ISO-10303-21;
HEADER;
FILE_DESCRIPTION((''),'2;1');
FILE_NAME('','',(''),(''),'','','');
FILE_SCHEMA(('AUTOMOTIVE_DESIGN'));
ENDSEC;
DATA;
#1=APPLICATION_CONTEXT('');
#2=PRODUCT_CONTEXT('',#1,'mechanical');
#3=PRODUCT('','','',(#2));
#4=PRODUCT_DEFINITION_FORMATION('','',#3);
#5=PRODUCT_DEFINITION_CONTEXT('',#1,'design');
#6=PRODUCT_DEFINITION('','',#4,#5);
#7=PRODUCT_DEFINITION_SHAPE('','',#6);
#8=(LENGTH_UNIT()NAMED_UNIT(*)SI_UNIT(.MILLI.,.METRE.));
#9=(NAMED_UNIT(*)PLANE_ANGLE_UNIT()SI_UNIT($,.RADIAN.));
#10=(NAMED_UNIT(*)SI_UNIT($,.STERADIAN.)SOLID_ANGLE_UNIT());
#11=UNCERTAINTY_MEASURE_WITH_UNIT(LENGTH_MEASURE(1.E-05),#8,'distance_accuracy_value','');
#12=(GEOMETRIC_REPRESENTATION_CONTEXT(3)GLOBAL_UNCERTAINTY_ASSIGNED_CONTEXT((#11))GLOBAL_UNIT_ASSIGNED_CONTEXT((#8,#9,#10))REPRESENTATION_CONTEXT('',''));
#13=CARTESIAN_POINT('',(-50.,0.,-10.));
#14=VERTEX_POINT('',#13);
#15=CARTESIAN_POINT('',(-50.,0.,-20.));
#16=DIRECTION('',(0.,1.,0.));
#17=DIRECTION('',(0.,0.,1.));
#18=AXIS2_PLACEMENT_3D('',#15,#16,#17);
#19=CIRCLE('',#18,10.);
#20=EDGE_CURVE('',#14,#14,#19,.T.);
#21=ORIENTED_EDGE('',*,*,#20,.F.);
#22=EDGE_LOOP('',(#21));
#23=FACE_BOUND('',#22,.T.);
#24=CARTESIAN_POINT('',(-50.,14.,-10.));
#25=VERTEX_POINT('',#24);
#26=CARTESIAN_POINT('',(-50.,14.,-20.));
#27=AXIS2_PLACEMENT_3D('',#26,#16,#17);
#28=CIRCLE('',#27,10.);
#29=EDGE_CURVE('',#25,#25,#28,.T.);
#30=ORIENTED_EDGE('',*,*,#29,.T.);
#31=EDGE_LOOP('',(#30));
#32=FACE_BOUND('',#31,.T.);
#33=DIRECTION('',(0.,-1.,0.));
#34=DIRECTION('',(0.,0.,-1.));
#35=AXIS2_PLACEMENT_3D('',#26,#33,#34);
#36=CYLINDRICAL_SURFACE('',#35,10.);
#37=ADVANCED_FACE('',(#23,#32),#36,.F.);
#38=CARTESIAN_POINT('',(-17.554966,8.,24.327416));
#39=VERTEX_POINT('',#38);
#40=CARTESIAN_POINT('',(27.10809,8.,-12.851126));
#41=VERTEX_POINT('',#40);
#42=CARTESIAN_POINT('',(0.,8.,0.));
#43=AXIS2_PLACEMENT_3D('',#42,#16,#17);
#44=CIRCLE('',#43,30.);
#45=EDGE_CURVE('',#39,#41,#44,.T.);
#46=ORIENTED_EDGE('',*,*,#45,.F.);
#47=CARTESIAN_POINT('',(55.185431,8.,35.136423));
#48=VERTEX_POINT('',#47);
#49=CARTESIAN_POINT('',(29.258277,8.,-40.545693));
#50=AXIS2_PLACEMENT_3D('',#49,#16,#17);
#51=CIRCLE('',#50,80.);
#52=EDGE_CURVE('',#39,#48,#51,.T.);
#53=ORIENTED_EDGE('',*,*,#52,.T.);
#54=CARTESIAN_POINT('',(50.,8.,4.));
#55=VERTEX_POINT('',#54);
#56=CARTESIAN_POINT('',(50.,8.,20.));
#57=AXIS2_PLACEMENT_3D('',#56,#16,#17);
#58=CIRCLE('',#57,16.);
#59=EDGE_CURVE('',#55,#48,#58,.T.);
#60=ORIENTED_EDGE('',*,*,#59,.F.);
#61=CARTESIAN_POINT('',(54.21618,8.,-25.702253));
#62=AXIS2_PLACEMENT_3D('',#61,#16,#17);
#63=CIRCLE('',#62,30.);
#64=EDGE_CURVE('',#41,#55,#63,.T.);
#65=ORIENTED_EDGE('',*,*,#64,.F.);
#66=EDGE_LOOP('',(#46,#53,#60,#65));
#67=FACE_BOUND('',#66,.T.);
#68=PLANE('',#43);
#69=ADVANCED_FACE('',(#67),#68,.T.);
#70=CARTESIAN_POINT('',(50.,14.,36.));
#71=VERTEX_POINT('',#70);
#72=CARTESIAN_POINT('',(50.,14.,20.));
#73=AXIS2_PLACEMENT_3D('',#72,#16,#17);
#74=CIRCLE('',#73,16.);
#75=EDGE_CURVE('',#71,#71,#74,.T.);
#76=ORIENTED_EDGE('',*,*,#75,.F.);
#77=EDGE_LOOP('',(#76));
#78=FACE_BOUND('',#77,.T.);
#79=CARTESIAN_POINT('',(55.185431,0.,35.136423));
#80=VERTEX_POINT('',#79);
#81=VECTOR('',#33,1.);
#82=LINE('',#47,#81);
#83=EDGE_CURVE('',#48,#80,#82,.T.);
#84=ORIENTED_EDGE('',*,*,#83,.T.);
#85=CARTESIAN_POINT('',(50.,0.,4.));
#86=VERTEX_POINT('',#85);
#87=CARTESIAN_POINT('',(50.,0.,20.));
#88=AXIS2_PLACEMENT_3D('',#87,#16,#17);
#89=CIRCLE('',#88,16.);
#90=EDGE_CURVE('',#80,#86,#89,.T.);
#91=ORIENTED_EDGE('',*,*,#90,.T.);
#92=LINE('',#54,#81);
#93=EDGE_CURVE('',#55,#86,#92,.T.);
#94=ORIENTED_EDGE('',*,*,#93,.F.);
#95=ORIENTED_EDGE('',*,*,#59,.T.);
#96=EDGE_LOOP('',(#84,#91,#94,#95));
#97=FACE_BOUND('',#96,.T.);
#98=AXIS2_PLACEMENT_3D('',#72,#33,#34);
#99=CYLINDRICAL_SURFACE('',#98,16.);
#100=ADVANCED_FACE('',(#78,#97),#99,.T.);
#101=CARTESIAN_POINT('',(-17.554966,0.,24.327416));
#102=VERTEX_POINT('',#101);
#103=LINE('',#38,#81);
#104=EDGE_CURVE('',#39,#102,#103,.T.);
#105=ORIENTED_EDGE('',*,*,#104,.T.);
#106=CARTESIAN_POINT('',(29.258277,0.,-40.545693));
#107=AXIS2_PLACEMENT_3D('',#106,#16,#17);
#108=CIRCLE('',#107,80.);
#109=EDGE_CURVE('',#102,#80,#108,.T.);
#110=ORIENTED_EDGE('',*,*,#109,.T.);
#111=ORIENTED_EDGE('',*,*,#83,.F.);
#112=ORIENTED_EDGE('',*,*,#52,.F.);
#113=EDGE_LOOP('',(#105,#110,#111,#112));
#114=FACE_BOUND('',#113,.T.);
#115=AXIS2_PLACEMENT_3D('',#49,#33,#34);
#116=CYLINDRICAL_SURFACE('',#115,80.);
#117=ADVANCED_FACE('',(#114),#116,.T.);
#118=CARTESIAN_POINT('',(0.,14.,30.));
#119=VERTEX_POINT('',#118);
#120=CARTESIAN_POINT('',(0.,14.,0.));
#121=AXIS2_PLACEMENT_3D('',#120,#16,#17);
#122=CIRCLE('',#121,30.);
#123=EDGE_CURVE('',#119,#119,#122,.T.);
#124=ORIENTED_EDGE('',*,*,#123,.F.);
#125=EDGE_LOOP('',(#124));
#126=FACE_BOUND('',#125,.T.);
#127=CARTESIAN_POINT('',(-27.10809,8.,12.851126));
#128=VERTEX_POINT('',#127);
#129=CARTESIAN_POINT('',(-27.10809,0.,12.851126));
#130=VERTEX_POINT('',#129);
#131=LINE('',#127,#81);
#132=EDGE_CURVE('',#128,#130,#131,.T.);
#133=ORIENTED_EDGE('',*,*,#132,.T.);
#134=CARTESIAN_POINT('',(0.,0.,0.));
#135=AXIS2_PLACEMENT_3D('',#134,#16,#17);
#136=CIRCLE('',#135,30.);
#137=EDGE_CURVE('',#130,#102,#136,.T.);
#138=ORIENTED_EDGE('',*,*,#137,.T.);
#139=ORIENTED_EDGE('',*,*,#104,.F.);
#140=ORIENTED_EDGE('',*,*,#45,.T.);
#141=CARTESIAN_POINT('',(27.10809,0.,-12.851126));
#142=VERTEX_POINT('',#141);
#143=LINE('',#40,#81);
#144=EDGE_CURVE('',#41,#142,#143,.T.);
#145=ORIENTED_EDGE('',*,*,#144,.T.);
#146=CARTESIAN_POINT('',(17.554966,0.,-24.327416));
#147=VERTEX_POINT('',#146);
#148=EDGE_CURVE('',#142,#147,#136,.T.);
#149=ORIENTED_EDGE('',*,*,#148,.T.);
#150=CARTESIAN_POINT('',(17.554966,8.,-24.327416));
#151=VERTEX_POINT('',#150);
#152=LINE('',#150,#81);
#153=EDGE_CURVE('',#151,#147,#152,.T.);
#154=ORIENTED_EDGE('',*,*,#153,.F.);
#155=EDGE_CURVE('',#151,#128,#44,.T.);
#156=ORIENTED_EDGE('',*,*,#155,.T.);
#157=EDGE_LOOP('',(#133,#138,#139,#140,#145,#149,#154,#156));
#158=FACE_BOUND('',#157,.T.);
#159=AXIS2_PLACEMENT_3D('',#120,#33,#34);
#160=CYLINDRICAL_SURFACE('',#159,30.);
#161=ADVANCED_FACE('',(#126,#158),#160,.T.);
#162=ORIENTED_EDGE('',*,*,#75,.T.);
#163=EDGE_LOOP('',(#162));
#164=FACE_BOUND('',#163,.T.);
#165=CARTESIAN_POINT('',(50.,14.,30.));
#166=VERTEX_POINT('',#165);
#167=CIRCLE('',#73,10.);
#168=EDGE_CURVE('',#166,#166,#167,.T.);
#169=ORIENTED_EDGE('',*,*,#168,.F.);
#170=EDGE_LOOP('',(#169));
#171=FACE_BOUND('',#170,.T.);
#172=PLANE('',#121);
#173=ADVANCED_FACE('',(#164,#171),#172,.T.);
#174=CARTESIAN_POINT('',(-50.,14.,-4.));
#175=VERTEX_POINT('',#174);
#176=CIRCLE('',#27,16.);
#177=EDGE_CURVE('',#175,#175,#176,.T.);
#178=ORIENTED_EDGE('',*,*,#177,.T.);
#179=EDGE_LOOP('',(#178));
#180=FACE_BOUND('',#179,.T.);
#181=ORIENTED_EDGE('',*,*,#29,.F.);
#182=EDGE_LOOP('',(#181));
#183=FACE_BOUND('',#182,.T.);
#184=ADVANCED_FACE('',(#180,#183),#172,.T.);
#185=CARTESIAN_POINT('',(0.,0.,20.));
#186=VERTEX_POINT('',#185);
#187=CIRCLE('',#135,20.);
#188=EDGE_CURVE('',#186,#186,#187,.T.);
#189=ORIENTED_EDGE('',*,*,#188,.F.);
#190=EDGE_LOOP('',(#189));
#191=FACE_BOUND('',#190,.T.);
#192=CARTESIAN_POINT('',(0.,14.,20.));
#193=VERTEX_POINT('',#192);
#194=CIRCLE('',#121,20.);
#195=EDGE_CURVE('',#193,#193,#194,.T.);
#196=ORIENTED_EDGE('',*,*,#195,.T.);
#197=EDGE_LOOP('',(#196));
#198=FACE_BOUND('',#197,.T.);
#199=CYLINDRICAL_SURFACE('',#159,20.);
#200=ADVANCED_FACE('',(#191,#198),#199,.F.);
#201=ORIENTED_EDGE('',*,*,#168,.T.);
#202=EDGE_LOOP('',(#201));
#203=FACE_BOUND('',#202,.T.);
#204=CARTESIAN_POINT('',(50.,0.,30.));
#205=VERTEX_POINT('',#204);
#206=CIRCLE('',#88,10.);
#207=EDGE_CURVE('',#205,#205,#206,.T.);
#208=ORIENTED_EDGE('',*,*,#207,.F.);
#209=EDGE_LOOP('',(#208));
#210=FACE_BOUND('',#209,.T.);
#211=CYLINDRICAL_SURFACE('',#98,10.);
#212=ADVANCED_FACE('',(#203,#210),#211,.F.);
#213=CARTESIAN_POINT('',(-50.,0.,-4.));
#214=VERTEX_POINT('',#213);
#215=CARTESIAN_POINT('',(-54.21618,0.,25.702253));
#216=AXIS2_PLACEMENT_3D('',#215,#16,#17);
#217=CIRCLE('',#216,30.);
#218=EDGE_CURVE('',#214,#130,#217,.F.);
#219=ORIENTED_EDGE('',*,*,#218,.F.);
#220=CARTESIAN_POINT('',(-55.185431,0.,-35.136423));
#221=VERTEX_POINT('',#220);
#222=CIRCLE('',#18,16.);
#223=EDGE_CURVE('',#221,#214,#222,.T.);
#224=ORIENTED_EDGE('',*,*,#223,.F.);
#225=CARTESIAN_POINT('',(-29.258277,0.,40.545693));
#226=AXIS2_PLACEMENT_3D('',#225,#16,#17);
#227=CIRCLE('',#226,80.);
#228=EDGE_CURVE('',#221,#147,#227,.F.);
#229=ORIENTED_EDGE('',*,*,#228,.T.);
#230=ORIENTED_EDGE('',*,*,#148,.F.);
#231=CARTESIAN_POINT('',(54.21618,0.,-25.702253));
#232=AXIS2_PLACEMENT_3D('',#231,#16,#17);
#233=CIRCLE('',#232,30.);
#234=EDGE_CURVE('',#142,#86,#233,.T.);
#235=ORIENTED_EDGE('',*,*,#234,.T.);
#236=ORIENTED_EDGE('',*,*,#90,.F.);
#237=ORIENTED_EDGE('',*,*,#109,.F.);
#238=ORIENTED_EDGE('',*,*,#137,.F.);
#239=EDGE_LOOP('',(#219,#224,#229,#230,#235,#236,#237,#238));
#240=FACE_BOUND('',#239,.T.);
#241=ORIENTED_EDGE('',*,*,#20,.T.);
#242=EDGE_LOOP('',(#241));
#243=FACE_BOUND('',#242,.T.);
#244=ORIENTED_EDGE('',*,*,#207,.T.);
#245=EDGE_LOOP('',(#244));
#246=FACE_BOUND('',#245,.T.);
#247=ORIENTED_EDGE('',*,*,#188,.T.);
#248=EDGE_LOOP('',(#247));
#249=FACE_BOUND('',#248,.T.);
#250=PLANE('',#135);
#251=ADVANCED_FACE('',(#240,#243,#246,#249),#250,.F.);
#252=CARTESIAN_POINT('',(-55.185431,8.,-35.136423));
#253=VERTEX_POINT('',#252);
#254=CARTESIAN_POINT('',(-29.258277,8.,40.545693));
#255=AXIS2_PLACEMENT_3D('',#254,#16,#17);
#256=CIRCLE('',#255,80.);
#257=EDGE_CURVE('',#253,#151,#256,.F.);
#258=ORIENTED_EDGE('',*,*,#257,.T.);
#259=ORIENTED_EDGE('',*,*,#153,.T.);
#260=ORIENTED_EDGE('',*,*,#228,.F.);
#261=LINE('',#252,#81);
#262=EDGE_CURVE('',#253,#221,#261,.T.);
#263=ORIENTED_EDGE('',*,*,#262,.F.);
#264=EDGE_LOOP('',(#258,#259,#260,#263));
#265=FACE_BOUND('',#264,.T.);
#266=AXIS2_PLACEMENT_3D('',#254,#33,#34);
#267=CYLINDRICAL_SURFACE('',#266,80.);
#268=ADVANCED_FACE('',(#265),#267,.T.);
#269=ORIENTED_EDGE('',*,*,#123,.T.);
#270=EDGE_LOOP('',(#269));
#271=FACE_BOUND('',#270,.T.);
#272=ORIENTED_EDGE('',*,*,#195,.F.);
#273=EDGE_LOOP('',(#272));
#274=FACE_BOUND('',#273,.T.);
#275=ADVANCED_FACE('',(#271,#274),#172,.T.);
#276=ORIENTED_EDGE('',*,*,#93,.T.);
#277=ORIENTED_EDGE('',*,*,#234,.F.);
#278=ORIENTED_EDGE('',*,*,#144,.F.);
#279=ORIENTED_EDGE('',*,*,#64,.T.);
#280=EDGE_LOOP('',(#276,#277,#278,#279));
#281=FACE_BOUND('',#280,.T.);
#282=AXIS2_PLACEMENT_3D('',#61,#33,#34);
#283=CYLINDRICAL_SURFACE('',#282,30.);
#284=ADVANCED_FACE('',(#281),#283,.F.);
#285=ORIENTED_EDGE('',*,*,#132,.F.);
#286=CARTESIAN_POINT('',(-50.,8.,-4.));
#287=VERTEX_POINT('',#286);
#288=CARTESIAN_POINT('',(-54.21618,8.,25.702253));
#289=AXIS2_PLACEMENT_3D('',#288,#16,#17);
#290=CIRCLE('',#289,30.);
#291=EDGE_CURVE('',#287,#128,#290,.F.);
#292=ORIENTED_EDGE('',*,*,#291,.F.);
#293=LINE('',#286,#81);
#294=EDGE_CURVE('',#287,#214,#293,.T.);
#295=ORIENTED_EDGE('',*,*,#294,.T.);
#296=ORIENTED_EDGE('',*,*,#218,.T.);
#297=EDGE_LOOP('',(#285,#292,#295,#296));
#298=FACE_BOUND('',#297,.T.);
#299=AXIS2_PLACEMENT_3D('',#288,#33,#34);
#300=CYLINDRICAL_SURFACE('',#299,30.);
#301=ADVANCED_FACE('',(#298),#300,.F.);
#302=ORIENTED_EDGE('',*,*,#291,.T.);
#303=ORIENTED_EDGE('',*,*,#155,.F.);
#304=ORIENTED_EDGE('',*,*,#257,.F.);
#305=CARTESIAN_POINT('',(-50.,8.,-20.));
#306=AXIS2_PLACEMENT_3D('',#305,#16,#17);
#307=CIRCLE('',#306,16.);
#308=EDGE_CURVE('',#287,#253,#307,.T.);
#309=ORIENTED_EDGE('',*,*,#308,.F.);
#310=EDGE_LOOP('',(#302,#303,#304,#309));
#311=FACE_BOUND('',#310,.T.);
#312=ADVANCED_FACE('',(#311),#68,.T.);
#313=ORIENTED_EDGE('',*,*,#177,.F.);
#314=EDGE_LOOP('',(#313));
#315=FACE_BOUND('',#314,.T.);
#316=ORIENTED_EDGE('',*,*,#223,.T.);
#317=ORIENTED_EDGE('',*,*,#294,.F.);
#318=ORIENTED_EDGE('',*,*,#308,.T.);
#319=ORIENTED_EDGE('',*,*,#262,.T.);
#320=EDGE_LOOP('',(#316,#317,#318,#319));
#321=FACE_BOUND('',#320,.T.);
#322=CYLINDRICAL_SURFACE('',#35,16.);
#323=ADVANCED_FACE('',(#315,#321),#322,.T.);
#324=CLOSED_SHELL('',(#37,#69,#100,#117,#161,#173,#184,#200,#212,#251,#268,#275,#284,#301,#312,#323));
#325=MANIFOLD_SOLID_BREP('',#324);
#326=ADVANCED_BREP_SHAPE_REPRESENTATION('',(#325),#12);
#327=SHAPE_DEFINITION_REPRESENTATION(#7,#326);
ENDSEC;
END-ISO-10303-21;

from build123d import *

# Parameters (mm, degrees)
ESTRUSIONE_ESTRUSIONE1_DEPTH   = 8
ESTRUSIONE_ESTRUSIONE1_2_DEPTH = 8
SCHIZZO1_8_R                   = 30
SCHIZZO1_8_R_2                 = 20
SCHIZZO1_8_R_3                 = 16
SCHIZZO1_8_R_4                 = 10
ESTRUSIONE_ESTRUSIONE2_DEPTH   = 14


with BuildPart() as part:
    # Schizzo1 → Estrusione-Estrusione1 (new body)
    with BuildSketch(Plane(origin=(0, 0, 0), x_dir=(1, 0, 0), z_dir=(0, 1, 0))):
        with BuildLine():
            ThreePointArc((27.108090114, 12.851126424), (19.193137928, -23.056961129), (-17.554966307, -24.327415768))
            ThreePointArc((-17.554966307, -24.327415768), (17.499627211, -38.585427044), (55.185430705, -35.136423237))
            ThreePointArc((55.185430705, -35.136423237), (34.217370755, -22.628424263), (50, -4))
            ThreePointArc((50, -4), (36.431563461, 1.542215464), (27.108090114, 12.851126424))
        make_face()
    extrude(amount=ESTRUSIONE_ESTRUSIONE1_DEPTH)



with BuildPart() as body_2:
    # Schizzo1 → Estrusione-Estrusione1 2 (new body)
    with BuildSketch(Plane(origin=(0, 0, 0), x_dir=(1, 0, 0), z_dir=(0, 1, 0))):
        with BuildLine():
            ThreePointArc((-27.108090114, -12.851126424), (-19.193137928, 23.056961129), (17.554966307, 24.327415768))
            ThreePointArc((17.554966307, 24.327415768), (-17.499627211, 38.585427044), (-55.185430705, 35.136423237))
            ThreePointArc((-55.185430705, 35.136423237), (-34.217370755, 22.628424263), (-50, 4))
            ThreePointArc((-50, 4), (-36.431563461, -1.542215464), (-27.108090114, -12.851126424))
        make_face()
    extrude(amount=ESTRUSIONE_ESTRUSIONE1_2_DEPTH)


with BuildPart() as part_1:
    add(part.part)

    add(body_2.part)  # Estrusione-Estrusione2 merges body 2
    # Schizzo1<8> → Estrusione-Estrusione2 (add)
    # profile 1 of 3: a face of its own
    with BuildSketch(Plane(origin=(0, 0, 0), x_dir=(1, 0, 0), z_dir=(0, 1, 0))):
        Circle(SCHIZZO1_8_R)
        Circle(SCHIZZO1_8_R_2, mode=Mode.SUBTRACT)
    # profile 2 of 3: a face of its own
    with BuildSketch(Plane(origin=(0, 0, 0), x_dir=(1, 0, 0), z_dir=(0, 1, 0))):
        with Locations((50, -20)):
            Circle(SCHIZZO1_8_R_3)
        with Locations((50, -20)):
            Circle(SCHIZZO1_8_R_4, mode=Mode.SUBTRACT)
    # profile 3 of 3: a face of its own
    with BuildSketch(Plane(origin=(0, 0, 0), x_dir=(1, 0, 0), z_dir=(0, 1, 0))):
        with Locations((-50, 20)):
            Circle(SCHIZZO1_8_R_3)
        with Locations((-50, 20)):
            Circle(SCHIZZO1_8_R_4, mode=Mode.SUBTRACT)
    extrude(amount=ESTRUSIONE_ESTRUSIONE2_DEPTH)


solid = part_1.part
